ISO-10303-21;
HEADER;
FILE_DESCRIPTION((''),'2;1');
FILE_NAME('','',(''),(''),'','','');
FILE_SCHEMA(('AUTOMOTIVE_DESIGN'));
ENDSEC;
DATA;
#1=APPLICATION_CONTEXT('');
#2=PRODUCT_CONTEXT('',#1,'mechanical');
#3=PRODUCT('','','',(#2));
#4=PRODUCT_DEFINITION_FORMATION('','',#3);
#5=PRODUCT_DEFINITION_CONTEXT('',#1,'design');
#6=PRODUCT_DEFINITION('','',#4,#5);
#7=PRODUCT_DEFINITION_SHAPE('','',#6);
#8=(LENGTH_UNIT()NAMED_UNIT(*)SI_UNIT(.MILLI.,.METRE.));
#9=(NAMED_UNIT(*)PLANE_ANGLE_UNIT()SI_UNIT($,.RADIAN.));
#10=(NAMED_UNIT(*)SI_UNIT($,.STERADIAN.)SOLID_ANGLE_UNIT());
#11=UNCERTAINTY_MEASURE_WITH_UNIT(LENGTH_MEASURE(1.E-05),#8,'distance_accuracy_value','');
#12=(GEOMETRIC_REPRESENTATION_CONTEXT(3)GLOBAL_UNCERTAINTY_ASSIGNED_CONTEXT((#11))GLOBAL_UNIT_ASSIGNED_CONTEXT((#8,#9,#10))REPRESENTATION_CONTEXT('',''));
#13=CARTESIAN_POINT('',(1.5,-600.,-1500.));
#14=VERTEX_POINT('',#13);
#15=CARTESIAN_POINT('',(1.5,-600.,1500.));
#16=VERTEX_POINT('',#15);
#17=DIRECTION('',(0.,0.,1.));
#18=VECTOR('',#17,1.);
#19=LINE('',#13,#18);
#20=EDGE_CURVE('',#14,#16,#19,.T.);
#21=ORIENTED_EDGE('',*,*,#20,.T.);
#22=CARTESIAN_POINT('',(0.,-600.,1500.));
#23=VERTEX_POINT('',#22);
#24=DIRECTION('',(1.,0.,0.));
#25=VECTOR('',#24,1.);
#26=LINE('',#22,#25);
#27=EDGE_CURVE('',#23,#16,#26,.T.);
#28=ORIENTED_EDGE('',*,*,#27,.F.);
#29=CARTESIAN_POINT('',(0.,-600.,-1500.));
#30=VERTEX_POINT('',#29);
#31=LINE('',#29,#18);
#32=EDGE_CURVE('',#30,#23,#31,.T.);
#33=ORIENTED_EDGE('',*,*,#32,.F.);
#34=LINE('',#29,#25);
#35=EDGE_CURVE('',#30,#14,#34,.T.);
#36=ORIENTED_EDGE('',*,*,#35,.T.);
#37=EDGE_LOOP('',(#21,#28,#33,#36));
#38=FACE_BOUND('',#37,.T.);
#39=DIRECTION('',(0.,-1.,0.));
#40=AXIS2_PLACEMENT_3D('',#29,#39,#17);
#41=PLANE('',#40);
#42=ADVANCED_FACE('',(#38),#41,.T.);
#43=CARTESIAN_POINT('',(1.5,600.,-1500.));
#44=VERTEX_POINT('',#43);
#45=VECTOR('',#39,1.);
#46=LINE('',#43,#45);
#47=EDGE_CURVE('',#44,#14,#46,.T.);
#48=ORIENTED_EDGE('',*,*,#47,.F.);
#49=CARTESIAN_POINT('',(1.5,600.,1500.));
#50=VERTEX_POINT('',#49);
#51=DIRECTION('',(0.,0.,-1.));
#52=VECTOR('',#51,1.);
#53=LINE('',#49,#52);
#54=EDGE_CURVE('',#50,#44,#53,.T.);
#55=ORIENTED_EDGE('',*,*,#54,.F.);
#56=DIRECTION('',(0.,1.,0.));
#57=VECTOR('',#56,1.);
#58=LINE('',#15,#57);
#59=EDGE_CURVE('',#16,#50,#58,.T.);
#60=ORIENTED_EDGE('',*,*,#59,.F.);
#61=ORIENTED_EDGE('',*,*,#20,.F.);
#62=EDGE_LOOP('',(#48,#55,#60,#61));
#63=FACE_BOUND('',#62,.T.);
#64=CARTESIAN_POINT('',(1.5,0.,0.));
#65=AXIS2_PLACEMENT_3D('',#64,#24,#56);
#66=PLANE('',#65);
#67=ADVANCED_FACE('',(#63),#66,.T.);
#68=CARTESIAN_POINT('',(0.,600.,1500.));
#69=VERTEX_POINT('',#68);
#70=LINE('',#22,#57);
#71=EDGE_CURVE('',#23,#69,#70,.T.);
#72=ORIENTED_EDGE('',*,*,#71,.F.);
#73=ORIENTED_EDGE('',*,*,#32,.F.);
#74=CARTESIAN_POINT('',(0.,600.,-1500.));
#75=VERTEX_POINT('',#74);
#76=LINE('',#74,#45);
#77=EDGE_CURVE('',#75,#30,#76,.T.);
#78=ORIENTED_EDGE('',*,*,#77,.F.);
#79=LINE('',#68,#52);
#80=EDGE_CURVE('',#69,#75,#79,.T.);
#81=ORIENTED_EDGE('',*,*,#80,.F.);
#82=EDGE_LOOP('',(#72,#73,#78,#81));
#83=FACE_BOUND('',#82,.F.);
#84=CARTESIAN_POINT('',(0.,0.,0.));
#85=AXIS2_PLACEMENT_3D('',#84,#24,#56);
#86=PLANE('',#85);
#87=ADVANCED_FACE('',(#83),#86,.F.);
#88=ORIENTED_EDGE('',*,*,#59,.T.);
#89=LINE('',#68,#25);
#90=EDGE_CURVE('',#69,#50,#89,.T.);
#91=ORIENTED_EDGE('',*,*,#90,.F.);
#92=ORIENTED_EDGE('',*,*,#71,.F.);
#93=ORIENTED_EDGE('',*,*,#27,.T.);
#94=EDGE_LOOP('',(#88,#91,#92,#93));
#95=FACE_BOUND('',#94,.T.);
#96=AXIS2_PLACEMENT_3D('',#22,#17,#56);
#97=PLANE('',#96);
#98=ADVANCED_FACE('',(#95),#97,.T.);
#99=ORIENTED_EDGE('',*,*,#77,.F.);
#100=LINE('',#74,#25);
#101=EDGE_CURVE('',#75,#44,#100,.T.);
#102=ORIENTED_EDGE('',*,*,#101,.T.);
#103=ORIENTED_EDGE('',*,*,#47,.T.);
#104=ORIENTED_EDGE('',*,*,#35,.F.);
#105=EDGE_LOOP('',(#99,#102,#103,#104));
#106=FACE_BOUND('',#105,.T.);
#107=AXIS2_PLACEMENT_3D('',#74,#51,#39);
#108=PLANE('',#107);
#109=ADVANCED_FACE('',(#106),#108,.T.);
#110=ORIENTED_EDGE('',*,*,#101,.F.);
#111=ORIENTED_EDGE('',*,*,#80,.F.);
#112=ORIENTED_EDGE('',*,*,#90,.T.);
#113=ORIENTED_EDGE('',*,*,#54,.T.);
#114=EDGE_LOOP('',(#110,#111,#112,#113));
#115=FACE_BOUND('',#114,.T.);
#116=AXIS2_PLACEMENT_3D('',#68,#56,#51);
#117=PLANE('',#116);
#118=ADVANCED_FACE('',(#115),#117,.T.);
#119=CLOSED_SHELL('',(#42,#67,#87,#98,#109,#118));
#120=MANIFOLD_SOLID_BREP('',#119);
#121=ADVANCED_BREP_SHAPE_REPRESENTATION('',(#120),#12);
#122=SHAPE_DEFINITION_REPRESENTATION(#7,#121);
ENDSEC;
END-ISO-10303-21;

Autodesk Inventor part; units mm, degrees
ref_plane "YZ Plane" through (0, 0, 0) normal (1, 0, 0) x (0, 1, 0)
ref_plane "XZ Plane" through (0, 0, 0) normal (0, 1, 0) x (-1, 0, 0)
ref_plane "XY Plane" through (0, 0, 0) normal (0, 0, 1) x (1, 0, 0)
sketch "Sketch1" plane through (0, 0, 0) normal (1, 0, 0) x (0, 1, 0)
  line L0 (-600, 1500) -> (600, 1500)
  line L1 (600, 1500) -> (600, -1500)
  line L2 (600, -1500) -> (-600, -1500)
  line L3 (-600, -1500) -> (-600, 1500)
  line L4 (-600, 1500) -> (600, -1500) construction
  line L5 (600, 1500) -> (-600, -1500) construction
  point P0 (0, 0)
  dimension "d0" = 1200
  dimension "d1" = 3000
extrude "Extrusion1" add sketch "Sketch1" along normal blind 1.5
properties part number "PLANCHA_COMPLETA" material "Steel, Mild, Welded"
